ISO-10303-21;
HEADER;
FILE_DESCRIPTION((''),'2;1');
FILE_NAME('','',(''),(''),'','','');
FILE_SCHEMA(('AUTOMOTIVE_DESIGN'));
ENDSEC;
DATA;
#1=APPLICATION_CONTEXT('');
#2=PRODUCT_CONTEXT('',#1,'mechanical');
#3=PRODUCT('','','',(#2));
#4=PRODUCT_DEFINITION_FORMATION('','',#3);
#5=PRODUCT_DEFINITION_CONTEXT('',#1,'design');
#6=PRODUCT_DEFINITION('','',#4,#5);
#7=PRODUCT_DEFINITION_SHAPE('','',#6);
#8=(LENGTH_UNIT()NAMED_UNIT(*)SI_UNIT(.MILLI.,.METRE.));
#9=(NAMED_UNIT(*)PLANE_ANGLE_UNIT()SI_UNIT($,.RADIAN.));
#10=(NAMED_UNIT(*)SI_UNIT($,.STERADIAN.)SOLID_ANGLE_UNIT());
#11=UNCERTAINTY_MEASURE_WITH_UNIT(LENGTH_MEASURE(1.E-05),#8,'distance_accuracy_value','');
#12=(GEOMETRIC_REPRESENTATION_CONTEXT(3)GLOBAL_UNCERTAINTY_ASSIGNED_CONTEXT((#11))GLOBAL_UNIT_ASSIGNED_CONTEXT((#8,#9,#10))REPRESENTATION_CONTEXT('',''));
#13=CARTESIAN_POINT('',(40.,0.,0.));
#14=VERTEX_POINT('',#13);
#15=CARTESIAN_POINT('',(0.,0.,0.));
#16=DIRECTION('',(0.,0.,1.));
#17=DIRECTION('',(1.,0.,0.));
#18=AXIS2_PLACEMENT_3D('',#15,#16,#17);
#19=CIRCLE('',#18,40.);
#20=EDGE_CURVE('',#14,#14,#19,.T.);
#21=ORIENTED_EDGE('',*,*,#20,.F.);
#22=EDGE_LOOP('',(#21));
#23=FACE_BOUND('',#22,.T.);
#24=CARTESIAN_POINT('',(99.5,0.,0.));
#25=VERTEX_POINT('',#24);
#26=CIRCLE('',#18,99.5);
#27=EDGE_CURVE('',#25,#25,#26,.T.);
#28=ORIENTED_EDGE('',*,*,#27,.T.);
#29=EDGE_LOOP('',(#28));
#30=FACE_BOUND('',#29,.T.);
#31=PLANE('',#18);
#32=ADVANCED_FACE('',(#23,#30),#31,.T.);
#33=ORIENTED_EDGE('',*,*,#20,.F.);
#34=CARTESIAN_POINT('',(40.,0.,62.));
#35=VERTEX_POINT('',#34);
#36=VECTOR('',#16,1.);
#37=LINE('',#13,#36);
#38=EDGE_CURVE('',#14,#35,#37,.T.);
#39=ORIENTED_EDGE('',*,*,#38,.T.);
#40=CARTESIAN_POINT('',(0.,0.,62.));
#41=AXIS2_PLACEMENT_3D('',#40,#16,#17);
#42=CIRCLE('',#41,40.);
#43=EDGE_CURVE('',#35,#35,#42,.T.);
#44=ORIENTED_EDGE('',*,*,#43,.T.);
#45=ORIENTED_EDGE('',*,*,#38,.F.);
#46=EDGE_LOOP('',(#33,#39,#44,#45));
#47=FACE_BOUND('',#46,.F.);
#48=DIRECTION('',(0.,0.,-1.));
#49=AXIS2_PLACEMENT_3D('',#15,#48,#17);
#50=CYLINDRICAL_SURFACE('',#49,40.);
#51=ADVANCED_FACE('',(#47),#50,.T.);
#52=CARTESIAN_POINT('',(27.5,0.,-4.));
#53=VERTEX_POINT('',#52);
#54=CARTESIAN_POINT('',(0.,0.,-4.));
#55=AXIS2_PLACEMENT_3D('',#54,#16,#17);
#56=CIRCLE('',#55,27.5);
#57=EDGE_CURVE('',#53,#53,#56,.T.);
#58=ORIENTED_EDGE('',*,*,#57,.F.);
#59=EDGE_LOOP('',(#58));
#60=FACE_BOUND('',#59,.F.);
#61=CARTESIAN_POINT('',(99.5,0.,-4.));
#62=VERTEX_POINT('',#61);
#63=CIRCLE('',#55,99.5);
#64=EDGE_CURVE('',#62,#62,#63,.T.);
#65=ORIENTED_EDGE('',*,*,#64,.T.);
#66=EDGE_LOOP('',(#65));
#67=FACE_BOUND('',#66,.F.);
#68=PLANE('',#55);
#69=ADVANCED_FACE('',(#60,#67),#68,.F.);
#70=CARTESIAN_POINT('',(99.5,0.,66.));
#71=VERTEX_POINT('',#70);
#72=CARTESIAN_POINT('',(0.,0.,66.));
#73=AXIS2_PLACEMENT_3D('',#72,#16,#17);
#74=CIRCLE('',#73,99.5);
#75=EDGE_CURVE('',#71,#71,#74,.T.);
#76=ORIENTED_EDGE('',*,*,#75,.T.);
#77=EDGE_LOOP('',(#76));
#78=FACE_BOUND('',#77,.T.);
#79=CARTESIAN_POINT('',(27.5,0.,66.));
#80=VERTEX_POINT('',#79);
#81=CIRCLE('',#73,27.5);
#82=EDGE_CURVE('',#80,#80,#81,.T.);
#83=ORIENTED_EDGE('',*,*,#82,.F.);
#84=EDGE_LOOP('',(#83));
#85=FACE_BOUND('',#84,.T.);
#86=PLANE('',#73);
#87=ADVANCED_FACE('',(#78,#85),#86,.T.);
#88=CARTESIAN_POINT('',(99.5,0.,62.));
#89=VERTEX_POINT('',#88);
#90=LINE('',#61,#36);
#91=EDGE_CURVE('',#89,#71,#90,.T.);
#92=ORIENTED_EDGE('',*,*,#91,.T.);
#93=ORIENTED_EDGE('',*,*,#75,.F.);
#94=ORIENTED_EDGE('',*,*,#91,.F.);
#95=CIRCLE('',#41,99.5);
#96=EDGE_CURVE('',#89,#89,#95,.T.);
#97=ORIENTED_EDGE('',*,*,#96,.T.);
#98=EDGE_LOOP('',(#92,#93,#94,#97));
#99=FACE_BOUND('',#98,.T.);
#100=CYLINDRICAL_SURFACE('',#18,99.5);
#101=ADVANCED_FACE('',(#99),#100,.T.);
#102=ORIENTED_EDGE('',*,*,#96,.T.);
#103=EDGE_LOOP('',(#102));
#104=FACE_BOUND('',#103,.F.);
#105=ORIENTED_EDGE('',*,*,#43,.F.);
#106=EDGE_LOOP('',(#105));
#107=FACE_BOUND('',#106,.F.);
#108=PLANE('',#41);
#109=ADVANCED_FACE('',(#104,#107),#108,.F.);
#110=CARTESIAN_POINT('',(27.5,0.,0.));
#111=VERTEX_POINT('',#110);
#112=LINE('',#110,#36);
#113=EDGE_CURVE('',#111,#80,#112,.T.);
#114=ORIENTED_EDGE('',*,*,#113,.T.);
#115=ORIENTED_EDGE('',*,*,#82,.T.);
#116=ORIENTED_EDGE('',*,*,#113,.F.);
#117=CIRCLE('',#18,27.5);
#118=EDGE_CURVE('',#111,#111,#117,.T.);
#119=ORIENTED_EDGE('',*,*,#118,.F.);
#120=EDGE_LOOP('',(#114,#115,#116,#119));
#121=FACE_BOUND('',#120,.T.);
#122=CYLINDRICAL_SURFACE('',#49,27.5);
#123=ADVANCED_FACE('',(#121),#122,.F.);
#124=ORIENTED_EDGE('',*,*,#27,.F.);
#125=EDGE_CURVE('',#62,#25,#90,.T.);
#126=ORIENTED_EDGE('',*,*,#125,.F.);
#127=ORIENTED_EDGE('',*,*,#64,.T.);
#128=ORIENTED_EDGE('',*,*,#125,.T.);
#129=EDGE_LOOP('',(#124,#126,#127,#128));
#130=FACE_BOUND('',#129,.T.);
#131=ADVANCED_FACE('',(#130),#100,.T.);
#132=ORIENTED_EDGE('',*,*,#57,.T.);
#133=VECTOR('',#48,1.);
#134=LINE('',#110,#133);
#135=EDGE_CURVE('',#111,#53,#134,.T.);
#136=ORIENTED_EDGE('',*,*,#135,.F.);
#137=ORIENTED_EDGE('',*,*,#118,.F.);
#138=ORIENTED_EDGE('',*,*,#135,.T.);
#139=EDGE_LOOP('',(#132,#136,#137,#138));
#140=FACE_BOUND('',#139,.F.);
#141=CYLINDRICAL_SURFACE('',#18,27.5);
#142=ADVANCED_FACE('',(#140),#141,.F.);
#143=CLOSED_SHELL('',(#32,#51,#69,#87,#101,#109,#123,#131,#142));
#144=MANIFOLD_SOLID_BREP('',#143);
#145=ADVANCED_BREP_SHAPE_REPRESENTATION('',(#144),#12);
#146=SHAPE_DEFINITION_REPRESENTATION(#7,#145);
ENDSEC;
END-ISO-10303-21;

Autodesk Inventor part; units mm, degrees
ref_plane "YZ Plane" through (0, 0, 0) normal (1, 0, 0) x (0, 1, 0)
ref_plane "XZ Plane" through (0, 0, 0) normal (0, 1, 0) x (-1, 0, 0)
ref_plane "XY Plane" through (0, 0, 0) normal (0, 0, 1) x (1, 0, 0)
sketch "Sketch1" plane through (0, 0, 0) normal (0, 0, 1) x (1, 0, 0)
  circle A0 centre (0, 0) radius 27.5
  circle A1 centre (0, 0) radius 99.5
  circle A2 centre (0, 0) radius 40
  dimension "d0" = 55
  dimension "d1" = 72
  dimension "d2" = 80
extrude "Extrusion1" add sketch "Sketch1" along normal blind 66 and the other way blind 4 contours A1 | A2
extrude "Extrusion2" cut sketch "Sketch1" along normal blind 62 contours A1
properties part number "spool"
